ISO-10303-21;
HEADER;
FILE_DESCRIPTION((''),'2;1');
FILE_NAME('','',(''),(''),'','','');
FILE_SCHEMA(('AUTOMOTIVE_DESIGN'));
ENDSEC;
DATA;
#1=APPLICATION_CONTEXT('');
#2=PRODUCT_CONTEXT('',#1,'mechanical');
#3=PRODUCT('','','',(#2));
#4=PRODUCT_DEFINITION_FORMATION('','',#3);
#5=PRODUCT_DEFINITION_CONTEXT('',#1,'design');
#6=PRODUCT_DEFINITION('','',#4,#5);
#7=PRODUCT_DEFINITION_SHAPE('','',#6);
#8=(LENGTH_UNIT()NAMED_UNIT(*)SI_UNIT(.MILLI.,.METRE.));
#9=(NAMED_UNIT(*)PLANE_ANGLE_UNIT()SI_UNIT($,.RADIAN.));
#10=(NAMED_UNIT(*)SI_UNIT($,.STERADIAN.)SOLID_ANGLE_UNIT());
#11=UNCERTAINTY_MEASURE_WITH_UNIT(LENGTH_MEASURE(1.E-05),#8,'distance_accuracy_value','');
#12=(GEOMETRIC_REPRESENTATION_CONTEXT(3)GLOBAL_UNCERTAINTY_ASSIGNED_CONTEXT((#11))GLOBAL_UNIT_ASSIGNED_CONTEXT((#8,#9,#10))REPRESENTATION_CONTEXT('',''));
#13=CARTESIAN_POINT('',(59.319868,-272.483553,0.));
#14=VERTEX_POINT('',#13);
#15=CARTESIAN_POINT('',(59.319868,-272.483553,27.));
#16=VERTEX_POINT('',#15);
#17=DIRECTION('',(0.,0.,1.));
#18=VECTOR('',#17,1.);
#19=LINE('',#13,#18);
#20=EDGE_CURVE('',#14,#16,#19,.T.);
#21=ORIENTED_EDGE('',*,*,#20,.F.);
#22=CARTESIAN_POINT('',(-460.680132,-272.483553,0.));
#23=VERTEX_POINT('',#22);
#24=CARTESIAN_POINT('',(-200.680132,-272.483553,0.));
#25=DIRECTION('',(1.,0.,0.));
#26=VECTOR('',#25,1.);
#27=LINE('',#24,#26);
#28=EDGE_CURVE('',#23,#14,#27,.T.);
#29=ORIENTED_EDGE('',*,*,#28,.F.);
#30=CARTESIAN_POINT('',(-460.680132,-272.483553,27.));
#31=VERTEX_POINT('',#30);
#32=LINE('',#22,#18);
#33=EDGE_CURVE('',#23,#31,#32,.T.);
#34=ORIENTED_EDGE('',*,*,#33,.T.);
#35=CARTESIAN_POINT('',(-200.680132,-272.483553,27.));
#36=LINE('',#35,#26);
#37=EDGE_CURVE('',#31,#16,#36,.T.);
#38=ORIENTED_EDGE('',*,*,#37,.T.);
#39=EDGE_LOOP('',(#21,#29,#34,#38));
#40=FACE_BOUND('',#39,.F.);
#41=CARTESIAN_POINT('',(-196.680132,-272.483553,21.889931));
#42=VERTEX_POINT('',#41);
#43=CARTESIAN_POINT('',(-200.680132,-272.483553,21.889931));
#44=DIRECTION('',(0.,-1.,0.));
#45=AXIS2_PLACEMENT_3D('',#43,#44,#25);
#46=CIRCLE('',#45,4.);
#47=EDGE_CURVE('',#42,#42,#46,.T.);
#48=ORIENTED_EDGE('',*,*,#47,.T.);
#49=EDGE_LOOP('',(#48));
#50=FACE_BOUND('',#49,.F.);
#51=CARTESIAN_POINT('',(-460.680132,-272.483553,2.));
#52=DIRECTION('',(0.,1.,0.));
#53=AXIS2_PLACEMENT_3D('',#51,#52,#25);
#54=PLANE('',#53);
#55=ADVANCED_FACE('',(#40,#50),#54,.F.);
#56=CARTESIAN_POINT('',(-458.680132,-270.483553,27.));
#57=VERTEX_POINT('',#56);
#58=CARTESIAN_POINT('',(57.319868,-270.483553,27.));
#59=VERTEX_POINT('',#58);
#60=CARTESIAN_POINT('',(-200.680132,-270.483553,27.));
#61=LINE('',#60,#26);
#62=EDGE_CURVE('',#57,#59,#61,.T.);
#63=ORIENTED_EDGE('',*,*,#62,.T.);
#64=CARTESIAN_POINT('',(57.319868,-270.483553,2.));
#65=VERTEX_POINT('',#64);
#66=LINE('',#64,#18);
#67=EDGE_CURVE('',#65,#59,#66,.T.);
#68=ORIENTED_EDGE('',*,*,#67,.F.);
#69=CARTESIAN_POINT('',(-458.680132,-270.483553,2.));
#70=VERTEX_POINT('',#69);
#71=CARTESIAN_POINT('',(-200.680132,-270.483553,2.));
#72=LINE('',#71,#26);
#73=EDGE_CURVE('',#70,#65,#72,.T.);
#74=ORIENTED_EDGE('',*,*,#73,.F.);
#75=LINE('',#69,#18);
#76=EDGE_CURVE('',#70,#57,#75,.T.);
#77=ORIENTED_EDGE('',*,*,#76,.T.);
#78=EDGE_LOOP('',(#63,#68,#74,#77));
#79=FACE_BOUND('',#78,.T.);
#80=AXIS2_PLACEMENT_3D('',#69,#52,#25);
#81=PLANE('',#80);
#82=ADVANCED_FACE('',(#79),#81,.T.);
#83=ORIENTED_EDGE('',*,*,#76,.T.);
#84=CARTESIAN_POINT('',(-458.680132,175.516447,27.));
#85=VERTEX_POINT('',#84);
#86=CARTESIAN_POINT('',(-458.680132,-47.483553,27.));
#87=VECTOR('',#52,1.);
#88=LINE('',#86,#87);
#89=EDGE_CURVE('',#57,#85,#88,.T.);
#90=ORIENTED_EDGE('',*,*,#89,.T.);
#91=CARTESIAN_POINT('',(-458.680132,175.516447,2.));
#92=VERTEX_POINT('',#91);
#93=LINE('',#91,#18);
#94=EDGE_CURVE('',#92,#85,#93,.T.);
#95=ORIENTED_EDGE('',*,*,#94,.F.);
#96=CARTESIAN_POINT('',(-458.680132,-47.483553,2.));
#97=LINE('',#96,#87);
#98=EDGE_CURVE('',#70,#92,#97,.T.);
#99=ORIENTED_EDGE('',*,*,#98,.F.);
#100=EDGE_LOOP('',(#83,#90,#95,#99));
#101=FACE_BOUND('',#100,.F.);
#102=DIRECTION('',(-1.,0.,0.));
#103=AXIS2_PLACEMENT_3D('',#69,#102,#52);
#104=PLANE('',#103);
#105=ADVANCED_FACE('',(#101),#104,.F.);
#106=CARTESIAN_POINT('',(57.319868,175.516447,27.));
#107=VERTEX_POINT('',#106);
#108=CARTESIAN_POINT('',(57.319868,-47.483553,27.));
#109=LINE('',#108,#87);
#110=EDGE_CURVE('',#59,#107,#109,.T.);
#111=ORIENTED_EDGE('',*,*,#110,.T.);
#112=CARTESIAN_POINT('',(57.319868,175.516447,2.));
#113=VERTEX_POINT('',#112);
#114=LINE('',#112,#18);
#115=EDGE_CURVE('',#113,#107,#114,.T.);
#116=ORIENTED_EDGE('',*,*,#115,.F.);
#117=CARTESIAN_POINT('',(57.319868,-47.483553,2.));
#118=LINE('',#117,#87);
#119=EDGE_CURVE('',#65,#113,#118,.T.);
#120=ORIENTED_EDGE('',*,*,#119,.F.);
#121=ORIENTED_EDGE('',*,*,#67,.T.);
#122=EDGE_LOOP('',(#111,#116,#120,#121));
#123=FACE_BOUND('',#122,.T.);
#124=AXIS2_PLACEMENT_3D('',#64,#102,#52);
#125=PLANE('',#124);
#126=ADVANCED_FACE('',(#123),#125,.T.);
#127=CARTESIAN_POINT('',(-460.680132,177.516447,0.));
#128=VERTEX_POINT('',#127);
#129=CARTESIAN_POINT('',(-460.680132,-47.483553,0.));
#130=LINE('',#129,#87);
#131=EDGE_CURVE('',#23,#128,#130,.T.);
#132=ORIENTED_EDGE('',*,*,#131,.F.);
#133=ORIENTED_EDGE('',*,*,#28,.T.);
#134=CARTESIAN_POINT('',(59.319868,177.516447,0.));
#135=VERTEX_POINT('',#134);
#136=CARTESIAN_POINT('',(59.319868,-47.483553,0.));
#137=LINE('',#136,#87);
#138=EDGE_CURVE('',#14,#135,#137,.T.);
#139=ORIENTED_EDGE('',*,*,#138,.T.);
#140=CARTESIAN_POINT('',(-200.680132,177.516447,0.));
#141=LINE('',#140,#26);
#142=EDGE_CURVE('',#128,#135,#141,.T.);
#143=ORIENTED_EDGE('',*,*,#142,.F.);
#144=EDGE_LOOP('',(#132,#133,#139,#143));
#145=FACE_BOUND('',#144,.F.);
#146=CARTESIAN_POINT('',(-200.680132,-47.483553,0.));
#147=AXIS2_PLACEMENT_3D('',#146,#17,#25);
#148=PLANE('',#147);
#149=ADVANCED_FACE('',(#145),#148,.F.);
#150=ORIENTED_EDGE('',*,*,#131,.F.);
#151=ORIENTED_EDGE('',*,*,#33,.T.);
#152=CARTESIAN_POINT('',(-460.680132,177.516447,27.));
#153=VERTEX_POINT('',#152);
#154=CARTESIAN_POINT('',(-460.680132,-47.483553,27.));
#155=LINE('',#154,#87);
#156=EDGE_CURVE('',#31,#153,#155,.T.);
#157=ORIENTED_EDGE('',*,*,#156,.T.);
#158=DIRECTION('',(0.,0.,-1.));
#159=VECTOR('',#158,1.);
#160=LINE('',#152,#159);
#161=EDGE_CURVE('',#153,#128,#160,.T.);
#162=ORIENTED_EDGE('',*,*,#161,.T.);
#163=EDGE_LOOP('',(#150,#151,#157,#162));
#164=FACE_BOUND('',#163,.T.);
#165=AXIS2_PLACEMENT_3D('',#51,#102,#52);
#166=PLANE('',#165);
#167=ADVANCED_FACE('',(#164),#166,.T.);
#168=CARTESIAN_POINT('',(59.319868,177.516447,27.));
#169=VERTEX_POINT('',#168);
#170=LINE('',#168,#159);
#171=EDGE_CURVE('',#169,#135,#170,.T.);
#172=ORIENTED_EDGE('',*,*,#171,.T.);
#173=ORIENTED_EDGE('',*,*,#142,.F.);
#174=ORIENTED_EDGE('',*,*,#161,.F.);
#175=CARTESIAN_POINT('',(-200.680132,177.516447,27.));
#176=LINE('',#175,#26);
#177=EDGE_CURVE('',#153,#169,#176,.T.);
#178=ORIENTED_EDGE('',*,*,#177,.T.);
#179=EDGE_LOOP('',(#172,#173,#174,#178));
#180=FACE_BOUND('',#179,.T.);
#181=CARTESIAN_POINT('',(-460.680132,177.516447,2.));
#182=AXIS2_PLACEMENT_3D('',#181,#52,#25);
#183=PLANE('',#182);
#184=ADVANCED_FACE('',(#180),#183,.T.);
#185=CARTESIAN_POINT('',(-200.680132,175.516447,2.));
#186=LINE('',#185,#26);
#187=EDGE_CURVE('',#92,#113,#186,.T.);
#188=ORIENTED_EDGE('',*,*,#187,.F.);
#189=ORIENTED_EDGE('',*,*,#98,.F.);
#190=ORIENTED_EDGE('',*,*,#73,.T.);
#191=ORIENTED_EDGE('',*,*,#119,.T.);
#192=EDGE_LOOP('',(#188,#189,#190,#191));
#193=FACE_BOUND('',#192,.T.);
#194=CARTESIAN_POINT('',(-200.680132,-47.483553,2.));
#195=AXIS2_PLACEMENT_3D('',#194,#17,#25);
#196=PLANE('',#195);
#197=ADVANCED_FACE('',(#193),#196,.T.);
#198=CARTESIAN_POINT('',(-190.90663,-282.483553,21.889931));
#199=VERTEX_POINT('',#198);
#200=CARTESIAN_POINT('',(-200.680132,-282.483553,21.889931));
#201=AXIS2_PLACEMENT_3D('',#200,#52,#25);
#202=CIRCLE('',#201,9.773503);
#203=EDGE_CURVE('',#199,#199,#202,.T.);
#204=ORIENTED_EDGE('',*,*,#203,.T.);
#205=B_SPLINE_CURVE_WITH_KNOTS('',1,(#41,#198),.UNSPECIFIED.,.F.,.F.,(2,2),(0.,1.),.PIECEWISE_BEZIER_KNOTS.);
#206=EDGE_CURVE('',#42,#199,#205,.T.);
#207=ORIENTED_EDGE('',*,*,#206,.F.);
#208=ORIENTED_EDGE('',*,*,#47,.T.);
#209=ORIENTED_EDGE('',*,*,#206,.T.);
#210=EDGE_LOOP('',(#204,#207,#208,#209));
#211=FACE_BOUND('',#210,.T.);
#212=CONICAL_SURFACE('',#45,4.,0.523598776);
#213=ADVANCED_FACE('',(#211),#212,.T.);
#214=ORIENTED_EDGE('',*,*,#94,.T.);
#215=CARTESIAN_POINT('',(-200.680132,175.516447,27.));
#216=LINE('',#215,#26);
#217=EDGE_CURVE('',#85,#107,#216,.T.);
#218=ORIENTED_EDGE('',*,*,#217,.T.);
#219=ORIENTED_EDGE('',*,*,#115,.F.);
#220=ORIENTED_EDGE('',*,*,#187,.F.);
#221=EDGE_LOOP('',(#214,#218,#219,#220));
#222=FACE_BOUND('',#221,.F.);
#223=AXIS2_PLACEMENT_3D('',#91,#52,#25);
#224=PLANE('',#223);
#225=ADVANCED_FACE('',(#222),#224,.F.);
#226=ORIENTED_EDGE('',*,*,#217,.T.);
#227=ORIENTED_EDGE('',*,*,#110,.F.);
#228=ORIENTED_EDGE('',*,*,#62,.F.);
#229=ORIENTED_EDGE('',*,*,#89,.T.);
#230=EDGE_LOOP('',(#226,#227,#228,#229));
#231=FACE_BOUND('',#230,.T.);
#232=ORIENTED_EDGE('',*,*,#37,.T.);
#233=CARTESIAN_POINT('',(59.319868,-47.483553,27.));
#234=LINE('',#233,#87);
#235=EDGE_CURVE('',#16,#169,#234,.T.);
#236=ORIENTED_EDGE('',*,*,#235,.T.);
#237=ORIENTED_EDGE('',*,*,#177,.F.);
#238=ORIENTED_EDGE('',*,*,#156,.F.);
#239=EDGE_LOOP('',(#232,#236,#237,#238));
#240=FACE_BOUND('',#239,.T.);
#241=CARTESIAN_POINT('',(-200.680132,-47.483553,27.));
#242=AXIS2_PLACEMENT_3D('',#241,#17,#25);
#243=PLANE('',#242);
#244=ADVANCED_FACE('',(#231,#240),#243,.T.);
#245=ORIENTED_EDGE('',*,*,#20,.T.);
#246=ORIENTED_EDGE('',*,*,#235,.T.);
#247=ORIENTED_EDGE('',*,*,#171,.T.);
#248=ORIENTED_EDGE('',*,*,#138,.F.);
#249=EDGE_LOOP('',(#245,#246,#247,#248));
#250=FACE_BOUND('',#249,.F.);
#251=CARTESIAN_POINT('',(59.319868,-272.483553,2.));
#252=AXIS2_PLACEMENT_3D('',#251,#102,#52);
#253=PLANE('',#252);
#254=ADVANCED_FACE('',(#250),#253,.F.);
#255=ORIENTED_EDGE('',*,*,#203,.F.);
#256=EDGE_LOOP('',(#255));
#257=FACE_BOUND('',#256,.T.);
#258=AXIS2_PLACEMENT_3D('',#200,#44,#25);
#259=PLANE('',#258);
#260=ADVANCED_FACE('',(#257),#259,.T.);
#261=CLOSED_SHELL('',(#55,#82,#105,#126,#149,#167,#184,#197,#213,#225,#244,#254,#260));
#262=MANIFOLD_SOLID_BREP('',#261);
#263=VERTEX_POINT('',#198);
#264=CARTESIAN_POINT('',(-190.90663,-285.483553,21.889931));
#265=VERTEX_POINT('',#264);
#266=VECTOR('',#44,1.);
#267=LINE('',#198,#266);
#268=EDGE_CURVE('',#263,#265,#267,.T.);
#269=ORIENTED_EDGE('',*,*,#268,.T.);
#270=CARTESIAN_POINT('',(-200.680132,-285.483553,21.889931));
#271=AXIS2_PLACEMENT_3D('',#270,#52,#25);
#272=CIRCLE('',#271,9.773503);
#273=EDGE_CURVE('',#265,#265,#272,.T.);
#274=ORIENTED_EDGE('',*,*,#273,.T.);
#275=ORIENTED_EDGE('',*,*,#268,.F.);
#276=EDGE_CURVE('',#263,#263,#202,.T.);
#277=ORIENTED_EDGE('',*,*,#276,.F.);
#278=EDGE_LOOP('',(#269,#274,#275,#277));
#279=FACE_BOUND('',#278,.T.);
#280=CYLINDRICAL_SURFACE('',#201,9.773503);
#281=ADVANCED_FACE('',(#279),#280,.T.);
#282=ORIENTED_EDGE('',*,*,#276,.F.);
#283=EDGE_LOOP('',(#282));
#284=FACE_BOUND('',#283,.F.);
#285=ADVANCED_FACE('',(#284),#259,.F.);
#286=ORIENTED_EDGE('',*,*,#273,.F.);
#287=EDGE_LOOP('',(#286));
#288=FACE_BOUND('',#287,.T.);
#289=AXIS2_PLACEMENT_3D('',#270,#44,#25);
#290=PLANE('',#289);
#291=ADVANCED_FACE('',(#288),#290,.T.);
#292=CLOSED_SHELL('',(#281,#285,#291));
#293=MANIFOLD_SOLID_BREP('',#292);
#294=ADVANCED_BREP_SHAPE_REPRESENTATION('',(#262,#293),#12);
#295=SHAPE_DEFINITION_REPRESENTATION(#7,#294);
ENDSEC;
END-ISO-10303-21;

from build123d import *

# Parameters (mm, degrees)
F0_W     = 520
F0_H     = 450
F1_DEPTH = 2
F2_W     = 520
F2_H     = 450
F2_W_2   = 516
F2_H_2   = 446
F3_DEPTH = 25
F4_R     = 4
F5_DEPTH = 10
F5_TAPER = -30
F6_DEPTH = 3


with BuildPart() as f1:
    # F0 (on Top) → F1 (new body)
    with BuildSketch(Plane.XY):
        with Locations((-200.6801323552, -47.4835533649)):
            Rectangle(F0_W, F0_H)
    extrude(amount=F1_DEPTH)

    # F2 (on face) → F3 (join)
    with BuildSketch(Plane.XY.offset(2)):
        with Locations((-200.6801323552, -47.4835533649)):
            Rectangle(F2_W, F2_H)
        with Locations((-200.6801323552, -47.4835533649)):
            Rectangle(F2_W_2, F2_H_2, mode=Mode.SUBTRACT)
    extrude(amount=F3_DEPTH)

    # F4 (on face) → F5 (join)
    with BuildSketch(Plane.XZ.offset(272.4835533649)):
        with Locations((-200.6801323552, 21.8899310641)):
            Circle(F4_R)
    extrude(amount=F5_DEPTH, taper=F5_TAPER)


with BuildPart() as f6:
    # F6 (new): a face of the model
    f6_faces = [f1.part.faces().sort_by_distance(p)[0] for p in [
        (-200.6801323552, -282.4835533649, 21.8899310641),
    ]]
    extrude(f6_faces, amount=F6_DEPTH)


solid = Compound([f1.part, f6.part])
